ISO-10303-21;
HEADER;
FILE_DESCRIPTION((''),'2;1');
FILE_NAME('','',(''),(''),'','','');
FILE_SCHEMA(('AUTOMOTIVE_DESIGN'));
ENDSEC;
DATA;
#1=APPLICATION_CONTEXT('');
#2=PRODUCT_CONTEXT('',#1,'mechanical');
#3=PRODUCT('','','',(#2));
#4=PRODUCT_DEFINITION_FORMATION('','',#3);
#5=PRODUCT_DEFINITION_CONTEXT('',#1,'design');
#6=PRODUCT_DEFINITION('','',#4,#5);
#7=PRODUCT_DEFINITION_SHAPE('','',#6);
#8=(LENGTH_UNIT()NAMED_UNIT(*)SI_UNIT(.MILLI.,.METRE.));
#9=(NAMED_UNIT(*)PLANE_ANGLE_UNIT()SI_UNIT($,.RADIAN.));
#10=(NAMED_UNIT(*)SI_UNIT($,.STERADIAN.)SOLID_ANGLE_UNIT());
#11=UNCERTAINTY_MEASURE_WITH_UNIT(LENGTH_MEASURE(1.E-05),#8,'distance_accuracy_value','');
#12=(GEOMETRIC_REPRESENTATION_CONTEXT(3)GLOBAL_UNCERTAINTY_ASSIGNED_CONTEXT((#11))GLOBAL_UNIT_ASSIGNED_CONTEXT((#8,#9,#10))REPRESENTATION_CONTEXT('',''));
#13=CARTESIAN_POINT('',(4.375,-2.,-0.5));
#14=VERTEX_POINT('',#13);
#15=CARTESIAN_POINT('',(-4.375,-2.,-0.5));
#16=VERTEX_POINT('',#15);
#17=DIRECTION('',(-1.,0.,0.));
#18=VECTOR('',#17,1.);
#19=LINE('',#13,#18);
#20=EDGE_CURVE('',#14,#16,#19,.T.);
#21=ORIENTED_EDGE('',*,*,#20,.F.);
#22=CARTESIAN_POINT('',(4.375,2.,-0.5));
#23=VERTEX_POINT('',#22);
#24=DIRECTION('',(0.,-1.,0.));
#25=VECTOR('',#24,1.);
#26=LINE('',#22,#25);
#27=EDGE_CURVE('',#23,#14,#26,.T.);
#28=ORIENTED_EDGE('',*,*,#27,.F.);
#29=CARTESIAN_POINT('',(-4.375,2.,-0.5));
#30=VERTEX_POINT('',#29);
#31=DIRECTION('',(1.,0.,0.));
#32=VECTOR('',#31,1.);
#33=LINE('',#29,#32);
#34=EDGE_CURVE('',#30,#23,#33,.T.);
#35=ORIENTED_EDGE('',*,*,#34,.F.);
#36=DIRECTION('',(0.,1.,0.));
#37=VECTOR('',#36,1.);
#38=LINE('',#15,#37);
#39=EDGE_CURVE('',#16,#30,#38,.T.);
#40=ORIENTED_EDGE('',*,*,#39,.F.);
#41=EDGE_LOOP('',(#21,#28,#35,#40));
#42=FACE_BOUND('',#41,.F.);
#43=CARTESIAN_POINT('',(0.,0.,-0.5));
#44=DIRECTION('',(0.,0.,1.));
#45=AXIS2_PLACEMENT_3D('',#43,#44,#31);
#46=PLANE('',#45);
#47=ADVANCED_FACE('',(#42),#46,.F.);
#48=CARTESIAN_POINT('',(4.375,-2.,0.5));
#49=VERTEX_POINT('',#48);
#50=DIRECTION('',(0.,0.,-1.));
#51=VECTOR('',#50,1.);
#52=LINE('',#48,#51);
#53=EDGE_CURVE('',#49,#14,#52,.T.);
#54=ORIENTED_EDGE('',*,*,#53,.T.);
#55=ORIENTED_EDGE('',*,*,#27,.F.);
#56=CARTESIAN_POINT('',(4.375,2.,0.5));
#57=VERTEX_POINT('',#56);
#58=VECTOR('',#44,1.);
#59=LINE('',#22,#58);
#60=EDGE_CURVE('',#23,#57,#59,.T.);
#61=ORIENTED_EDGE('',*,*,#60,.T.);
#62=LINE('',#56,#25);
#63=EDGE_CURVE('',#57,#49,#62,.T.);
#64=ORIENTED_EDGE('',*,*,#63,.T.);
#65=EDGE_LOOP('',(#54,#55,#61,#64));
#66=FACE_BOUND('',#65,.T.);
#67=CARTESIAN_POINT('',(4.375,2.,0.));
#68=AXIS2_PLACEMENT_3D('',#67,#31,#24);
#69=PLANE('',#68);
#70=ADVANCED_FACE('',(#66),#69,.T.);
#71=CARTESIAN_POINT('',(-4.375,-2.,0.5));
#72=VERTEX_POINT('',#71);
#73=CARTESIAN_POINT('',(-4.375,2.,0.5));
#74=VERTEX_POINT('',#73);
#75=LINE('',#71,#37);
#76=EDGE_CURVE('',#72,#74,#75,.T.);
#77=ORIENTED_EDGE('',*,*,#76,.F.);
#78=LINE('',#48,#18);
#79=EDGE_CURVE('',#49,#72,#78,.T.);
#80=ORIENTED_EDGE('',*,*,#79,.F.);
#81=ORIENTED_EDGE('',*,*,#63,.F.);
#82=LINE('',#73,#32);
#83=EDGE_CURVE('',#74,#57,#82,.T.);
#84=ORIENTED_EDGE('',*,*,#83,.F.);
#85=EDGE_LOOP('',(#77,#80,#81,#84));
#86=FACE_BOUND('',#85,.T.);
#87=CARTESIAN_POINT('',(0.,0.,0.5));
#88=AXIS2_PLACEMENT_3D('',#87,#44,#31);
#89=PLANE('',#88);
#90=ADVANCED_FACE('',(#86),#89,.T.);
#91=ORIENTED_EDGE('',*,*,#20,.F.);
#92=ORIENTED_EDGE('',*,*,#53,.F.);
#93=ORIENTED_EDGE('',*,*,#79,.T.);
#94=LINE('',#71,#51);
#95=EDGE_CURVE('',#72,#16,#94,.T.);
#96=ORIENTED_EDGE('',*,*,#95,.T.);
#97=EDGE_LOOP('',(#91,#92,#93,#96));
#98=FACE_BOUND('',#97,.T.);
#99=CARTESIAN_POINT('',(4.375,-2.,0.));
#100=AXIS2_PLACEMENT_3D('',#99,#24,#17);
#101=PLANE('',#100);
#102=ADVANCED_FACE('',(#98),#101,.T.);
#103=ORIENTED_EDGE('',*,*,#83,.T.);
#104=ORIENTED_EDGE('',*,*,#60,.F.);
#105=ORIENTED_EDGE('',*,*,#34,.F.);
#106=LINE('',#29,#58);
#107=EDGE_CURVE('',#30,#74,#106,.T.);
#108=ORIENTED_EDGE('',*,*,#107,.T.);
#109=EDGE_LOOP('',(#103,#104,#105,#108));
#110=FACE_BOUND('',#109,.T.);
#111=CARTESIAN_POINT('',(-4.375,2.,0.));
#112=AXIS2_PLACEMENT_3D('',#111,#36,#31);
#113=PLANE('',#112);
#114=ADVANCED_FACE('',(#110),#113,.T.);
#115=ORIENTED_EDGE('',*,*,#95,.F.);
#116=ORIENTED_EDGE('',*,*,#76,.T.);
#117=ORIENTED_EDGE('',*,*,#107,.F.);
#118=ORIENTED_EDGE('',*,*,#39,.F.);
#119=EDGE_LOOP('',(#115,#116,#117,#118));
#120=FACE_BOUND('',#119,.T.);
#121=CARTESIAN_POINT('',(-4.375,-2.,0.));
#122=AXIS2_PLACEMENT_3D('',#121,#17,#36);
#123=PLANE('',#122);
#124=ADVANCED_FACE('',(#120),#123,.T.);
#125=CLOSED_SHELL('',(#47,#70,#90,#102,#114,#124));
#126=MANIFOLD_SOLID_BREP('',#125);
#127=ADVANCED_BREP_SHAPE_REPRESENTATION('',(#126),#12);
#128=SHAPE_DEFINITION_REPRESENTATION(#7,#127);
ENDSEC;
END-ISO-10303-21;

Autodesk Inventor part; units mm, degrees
ref_plane "YZ Plane" through (0, 0, 0) normal (1, 0, 0) x (0, 1, 0)
ref_plane "XZ Plane" through (0, 0, 0) normal (0, 1, 0) x (-1, 0, 0)
ref_plane "XY Plane" through (0, 0, 0) normal (0, 0, 1) x (1, 0, 0)
sketch "Sketch1" plane through (0, 0, 0) normal (0, 0, 1) x (1, 0, 0)
  line L0 (0, 1.5119) -> (0, 0)
  line L1 (0, 0) -> (2.1802, 0)
  line L2 (4.375, 2) -> (4.375, -2)
  line L3 (4.375, -2) -> (-4.375, -2)
  line L4 (-4.375, -2) -> (-4.375, 2)
  line L5 (-4.375, 2) -> (4.375, 2)
  dimension "d0" = 4
  dimension "d1" = 8.75
extrude "Extrusion1" add sketch "Sketch1" along normal mid plane 1
properties part number "Tantalum_4x9x1" material "Tantalum"
